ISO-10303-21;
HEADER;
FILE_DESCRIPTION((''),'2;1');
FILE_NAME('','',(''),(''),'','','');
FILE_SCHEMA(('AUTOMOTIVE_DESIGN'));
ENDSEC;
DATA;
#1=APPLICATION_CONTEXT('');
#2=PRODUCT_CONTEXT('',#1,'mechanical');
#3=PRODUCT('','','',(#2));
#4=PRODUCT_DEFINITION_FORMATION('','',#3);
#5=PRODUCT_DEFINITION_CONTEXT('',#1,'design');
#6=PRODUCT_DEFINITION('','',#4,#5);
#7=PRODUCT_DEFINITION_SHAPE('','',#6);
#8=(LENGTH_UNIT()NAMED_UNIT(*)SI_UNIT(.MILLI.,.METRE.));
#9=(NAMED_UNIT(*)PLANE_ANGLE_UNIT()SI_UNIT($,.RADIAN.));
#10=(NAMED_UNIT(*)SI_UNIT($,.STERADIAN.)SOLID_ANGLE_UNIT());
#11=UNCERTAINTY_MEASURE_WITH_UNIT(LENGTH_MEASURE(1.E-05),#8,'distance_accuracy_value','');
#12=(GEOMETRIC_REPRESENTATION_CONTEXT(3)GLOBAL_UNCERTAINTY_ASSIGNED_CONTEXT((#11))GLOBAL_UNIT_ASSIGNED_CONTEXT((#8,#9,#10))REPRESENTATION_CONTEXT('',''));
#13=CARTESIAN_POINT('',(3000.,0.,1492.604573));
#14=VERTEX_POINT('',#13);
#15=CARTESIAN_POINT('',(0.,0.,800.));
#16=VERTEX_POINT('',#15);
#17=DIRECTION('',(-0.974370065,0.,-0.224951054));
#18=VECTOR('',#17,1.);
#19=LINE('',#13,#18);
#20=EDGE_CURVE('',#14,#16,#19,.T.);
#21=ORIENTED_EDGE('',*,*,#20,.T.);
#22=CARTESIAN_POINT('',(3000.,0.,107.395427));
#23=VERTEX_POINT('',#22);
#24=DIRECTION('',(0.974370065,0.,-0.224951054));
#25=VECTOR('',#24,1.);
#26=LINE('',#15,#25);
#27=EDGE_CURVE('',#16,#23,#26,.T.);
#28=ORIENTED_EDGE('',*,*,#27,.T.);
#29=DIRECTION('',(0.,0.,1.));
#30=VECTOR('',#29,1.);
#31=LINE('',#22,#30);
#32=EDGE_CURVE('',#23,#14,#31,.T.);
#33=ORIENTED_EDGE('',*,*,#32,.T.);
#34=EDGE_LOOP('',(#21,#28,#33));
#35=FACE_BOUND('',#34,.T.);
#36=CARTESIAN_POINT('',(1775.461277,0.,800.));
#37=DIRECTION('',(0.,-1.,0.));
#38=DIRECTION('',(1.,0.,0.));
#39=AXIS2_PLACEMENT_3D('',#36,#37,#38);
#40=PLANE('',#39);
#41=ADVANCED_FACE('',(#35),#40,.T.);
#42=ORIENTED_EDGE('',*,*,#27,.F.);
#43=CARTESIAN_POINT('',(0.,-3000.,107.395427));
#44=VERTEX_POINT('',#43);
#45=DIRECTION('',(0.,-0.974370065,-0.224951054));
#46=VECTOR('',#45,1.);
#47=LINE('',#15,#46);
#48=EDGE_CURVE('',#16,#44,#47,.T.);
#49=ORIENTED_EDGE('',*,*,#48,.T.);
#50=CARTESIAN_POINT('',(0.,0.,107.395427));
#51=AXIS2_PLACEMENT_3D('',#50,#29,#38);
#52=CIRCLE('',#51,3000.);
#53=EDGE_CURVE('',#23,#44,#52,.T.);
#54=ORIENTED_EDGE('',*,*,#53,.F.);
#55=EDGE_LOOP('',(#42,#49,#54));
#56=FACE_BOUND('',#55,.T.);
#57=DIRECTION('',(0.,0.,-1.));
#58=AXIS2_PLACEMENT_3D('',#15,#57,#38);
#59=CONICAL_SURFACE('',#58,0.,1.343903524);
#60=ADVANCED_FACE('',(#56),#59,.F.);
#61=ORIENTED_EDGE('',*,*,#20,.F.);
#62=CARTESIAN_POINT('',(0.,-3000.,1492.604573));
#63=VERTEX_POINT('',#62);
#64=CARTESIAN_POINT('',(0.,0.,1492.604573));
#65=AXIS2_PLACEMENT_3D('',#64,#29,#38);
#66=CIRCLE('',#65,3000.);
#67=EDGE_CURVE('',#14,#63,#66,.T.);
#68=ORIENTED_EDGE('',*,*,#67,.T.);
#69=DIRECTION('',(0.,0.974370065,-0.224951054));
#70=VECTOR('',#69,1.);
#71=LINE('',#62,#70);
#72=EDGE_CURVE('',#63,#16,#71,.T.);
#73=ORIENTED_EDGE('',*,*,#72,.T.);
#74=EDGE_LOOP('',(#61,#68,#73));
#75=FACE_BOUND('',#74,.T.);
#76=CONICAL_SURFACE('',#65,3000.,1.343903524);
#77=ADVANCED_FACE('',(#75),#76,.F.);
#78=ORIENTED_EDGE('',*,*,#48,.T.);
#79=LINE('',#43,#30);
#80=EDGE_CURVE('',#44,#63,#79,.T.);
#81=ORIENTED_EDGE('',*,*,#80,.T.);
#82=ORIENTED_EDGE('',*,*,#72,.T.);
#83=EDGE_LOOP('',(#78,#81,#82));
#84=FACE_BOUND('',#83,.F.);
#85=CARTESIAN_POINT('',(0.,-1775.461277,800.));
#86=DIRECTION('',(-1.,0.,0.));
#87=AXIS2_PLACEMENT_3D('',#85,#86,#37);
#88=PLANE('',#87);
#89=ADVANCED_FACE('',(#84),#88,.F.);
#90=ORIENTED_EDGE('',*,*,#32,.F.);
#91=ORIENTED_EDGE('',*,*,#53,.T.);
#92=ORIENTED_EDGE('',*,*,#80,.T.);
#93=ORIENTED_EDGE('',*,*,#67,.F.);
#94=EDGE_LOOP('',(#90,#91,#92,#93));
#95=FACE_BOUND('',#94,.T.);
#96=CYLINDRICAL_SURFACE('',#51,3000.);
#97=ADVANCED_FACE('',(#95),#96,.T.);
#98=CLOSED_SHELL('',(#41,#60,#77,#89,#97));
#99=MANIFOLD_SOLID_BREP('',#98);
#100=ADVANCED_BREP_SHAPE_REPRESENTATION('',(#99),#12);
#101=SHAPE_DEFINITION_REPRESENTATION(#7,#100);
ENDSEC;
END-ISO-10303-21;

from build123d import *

# Parameters (mm, degrees)
F1_ANGLE = 270


with BuildPart() as f1:
    # F0 (on Front) → F1 (revolve)
    with BuildSketch(Plane.XZ):
        Polygon((3000, 1492.604573), (0, 800), (3000, 107.395427), align=None)
    revolve(axis=Axis((0, 0, 400), (0, 0, 1)), revolution_arc=F1_ANGLE)


solid = f1.part
